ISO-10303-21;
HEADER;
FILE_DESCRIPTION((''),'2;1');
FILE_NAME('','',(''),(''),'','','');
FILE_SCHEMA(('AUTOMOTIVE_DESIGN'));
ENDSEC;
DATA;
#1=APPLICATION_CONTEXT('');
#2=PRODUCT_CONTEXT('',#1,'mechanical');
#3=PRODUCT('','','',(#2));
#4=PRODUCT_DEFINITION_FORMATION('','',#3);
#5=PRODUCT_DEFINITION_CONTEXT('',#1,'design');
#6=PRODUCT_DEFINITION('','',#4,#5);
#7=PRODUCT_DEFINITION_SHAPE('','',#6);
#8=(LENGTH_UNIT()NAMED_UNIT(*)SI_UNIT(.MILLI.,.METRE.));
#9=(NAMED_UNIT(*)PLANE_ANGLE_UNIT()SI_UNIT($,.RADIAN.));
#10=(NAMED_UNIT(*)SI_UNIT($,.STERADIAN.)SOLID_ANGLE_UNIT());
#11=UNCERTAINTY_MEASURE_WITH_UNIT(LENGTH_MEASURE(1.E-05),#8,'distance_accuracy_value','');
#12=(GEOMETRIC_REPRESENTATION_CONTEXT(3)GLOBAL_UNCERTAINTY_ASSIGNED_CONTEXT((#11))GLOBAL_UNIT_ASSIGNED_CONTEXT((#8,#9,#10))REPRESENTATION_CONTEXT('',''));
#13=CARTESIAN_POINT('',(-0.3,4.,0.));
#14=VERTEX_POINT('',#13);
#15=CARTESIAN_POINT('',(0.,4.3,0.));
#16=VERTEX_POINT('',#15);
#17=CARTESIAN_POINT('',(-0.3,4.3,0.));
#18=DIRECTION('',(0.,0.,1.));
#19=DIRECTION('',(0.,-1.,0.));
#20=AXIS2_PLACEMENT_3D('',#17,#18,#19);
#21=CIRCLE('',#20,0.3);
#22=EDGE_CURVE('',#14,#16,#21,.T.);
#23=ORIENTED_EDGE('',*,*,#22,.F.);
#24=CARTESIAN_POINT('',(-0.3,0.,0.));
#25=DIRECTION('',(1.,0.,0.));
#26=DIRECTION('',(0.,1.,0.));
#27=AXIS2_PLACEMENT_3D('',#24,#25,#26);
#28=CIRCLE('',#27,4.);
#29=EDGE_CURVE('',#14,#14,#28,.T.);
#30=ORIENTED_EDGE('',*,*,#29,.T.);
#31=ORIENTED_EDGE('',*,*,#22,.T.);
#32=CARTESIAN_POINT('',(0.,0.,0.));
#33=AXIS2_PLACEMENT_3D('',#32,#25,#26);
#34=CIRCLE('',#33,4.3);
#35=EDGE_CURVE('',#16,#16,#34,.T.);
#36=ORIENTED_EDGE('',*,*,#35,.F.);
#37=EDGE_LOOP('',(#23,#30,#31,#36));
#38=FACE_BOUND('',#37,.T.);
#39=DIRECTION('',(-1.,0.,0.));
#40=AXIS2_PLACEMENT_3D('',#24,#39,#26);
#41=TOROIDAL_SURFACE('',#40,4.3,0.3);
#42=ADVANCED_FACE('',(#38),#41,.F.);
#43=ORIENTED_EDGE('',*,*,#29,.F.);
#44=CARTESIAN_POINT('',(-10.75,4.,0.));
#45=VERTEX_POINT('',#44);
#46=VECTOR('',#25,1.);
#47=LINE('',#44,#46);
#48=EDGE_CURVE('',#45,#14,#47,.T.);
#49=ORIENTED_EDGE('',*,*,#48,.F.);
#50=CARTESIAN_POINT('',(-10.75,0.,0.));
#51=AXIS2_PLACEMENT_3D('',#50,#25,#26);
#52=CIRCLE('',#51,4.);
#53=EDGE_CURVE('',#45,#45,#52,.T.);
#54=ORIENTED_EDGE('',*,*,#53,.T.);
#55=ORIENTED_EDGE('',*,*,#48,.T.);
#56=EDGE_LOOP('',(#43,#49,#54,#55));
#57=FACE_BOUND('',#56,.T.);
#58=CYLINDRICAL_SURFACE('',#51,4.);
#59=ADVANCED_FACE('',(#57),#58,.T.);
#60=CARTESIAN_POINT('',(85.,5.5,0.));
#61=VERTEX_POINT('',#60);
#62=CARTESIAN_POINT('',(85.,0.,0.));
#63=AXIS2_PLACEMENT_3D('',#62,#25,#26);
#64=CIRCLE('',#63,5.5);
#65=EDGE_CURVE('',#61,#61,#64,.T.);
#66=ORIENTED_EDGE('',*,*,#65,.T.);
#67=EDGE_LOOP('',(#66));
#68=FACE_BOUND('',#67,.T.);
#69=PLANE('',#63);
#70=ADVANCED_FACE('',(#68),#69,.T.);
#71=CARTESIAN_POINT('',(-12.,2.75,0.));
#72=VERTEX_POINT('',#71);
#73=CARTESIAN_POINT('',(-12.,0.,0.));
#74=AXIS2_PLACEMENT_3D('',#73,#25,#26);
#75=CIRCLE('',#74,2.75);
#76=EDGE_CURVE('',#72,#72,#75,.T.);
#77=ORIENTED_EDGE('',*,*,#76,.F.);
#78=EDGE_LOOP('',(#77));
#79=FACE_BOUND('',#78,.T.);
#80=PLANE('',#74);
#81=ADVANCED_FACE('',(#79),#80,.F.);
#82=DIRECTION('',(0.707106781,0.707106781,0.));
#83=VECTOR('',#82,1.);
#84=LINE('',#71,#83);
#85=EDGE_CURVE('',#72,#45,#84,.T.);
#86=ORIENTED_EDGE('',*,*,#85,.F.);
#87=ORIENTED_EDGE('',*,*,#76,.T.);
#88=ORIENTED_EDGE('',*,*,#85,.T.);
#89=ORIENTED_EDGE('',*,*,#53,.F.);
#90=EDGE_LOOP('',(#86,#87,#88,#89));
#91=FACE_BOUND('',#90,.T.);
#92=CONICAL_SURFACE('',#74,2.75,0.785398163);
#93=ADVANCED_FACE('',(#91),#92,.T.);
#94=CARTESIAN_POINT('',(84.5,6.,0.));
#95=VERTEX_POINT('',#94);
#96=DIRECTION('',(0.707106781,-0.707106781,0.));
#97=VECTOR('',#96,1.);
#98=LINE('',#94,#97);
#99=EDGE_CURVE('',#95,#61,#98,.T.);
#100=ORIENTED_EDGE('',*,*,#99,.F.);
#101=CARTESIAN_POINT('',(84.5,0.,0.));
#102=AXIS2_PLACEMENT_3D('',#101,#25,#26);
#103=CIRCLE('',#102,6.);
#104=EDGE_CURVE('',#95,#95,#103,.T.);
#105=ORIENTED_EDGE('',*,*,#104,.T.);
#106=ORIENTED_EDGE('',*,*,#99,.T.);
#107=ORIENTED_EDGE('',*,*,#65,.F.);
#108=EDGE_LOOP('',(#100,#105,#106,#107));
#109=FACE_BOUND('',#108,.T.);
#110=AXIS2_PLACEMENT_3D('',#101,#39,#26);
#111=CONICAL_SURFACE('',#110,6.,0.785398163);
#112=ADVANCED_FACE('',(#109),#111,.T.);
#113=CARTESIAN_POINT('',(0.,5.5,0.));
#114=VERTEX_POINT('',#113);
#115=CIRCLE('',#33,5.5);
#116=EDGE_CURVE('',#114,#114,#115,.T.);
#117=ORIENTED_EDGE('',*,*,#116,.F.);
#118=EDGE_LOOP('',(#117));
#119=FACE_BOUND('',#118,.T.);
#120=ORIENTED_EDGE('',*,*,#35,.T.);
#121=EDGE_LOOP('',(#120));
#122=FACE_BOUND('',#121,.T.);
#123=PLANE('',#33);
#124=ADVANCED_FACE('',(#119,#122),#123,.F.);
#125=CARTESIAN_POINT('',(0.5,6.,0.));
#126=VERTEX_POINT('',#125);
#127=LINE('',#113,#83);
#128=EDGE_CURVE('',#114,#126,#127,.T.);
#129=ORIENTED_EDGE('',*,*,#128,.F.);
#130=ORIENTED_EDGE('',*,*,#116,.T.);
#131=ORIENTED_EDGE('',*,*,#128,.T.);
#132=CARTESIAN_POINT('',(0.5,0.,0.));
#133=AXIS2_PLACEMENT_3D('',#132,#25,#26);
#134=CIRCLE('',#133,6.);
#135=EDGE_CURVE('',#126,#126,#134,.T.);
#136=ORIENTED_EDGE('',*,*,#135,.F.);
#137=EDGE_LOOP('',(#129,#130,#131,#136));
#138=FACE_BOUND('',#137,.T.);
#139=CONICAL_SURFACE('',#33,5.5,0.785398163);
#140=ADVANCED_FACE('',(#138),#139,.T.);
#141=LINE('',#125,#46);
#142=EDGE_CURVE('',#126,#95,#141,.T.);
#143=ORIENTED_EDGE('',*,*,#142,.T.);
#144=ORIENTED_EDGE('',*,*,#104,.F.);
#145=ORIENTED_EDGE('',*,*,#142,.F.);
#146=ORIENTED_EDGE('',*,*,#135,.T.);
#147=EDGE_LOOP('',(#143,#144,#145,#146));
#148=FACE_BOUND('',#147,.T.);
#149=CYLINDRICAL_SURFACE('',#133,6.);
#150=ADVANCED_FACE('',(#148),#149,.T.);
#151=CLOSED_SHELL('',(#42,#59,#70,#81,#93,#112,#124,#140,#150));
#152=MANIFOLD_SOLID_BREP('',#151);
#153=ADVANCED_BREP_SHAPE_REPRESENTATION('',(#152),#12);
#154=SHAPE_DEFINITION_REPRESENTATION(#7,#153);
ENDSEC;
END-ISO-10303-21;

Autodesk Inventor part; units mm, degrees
ref_plane "YZ Plane" through (0, 0, 0) normal (1, 0, 0) x (0, 1, 0)
ref_plane "XZ Plane" through (0, 0, 0) normal (0, 1, 0) x (-1, 0, 0)
ref_plane "XY Plane" through (0, 0, 0) normal (0, 0, 1) x (1, 0, 0)
sketch "Sketch_1" plane through (0, 0, 0) normal (0, 0, 1) x (1, 0, 0)
  line L0 (85, 0) -> (-12, 0)
  line L1 (-12, 0) -> (-12, 2.75)
  line L2 (-12, 2.75) -> (-10.75, 4)
  line L3 (-10.75, 4) -> (-0.3, 4)
  arc A0 (-0.3, 4) -> (0, 4.3) centre (-0.3, 4.3) ccw
  line L4 (0, 4.3) -> (0, 5.5)
  line L5 (0, 5.5) -> (0.5, 6)
  line L6 (0.5, 6) -> (84.5, 6)
  line L7 (84.5, 6) -> (85, 5.5)
  line L8 (85, 5.5) -> (85, 0)
  line L9 (85, 0) -> (-12, 0)
revolve "Revolution1" add sketch "Sketch_1" angle 360 about axis through (85, 0, 0) along (1, 0, 0)
properties part number "SSFCU12-85-F12-P8"
